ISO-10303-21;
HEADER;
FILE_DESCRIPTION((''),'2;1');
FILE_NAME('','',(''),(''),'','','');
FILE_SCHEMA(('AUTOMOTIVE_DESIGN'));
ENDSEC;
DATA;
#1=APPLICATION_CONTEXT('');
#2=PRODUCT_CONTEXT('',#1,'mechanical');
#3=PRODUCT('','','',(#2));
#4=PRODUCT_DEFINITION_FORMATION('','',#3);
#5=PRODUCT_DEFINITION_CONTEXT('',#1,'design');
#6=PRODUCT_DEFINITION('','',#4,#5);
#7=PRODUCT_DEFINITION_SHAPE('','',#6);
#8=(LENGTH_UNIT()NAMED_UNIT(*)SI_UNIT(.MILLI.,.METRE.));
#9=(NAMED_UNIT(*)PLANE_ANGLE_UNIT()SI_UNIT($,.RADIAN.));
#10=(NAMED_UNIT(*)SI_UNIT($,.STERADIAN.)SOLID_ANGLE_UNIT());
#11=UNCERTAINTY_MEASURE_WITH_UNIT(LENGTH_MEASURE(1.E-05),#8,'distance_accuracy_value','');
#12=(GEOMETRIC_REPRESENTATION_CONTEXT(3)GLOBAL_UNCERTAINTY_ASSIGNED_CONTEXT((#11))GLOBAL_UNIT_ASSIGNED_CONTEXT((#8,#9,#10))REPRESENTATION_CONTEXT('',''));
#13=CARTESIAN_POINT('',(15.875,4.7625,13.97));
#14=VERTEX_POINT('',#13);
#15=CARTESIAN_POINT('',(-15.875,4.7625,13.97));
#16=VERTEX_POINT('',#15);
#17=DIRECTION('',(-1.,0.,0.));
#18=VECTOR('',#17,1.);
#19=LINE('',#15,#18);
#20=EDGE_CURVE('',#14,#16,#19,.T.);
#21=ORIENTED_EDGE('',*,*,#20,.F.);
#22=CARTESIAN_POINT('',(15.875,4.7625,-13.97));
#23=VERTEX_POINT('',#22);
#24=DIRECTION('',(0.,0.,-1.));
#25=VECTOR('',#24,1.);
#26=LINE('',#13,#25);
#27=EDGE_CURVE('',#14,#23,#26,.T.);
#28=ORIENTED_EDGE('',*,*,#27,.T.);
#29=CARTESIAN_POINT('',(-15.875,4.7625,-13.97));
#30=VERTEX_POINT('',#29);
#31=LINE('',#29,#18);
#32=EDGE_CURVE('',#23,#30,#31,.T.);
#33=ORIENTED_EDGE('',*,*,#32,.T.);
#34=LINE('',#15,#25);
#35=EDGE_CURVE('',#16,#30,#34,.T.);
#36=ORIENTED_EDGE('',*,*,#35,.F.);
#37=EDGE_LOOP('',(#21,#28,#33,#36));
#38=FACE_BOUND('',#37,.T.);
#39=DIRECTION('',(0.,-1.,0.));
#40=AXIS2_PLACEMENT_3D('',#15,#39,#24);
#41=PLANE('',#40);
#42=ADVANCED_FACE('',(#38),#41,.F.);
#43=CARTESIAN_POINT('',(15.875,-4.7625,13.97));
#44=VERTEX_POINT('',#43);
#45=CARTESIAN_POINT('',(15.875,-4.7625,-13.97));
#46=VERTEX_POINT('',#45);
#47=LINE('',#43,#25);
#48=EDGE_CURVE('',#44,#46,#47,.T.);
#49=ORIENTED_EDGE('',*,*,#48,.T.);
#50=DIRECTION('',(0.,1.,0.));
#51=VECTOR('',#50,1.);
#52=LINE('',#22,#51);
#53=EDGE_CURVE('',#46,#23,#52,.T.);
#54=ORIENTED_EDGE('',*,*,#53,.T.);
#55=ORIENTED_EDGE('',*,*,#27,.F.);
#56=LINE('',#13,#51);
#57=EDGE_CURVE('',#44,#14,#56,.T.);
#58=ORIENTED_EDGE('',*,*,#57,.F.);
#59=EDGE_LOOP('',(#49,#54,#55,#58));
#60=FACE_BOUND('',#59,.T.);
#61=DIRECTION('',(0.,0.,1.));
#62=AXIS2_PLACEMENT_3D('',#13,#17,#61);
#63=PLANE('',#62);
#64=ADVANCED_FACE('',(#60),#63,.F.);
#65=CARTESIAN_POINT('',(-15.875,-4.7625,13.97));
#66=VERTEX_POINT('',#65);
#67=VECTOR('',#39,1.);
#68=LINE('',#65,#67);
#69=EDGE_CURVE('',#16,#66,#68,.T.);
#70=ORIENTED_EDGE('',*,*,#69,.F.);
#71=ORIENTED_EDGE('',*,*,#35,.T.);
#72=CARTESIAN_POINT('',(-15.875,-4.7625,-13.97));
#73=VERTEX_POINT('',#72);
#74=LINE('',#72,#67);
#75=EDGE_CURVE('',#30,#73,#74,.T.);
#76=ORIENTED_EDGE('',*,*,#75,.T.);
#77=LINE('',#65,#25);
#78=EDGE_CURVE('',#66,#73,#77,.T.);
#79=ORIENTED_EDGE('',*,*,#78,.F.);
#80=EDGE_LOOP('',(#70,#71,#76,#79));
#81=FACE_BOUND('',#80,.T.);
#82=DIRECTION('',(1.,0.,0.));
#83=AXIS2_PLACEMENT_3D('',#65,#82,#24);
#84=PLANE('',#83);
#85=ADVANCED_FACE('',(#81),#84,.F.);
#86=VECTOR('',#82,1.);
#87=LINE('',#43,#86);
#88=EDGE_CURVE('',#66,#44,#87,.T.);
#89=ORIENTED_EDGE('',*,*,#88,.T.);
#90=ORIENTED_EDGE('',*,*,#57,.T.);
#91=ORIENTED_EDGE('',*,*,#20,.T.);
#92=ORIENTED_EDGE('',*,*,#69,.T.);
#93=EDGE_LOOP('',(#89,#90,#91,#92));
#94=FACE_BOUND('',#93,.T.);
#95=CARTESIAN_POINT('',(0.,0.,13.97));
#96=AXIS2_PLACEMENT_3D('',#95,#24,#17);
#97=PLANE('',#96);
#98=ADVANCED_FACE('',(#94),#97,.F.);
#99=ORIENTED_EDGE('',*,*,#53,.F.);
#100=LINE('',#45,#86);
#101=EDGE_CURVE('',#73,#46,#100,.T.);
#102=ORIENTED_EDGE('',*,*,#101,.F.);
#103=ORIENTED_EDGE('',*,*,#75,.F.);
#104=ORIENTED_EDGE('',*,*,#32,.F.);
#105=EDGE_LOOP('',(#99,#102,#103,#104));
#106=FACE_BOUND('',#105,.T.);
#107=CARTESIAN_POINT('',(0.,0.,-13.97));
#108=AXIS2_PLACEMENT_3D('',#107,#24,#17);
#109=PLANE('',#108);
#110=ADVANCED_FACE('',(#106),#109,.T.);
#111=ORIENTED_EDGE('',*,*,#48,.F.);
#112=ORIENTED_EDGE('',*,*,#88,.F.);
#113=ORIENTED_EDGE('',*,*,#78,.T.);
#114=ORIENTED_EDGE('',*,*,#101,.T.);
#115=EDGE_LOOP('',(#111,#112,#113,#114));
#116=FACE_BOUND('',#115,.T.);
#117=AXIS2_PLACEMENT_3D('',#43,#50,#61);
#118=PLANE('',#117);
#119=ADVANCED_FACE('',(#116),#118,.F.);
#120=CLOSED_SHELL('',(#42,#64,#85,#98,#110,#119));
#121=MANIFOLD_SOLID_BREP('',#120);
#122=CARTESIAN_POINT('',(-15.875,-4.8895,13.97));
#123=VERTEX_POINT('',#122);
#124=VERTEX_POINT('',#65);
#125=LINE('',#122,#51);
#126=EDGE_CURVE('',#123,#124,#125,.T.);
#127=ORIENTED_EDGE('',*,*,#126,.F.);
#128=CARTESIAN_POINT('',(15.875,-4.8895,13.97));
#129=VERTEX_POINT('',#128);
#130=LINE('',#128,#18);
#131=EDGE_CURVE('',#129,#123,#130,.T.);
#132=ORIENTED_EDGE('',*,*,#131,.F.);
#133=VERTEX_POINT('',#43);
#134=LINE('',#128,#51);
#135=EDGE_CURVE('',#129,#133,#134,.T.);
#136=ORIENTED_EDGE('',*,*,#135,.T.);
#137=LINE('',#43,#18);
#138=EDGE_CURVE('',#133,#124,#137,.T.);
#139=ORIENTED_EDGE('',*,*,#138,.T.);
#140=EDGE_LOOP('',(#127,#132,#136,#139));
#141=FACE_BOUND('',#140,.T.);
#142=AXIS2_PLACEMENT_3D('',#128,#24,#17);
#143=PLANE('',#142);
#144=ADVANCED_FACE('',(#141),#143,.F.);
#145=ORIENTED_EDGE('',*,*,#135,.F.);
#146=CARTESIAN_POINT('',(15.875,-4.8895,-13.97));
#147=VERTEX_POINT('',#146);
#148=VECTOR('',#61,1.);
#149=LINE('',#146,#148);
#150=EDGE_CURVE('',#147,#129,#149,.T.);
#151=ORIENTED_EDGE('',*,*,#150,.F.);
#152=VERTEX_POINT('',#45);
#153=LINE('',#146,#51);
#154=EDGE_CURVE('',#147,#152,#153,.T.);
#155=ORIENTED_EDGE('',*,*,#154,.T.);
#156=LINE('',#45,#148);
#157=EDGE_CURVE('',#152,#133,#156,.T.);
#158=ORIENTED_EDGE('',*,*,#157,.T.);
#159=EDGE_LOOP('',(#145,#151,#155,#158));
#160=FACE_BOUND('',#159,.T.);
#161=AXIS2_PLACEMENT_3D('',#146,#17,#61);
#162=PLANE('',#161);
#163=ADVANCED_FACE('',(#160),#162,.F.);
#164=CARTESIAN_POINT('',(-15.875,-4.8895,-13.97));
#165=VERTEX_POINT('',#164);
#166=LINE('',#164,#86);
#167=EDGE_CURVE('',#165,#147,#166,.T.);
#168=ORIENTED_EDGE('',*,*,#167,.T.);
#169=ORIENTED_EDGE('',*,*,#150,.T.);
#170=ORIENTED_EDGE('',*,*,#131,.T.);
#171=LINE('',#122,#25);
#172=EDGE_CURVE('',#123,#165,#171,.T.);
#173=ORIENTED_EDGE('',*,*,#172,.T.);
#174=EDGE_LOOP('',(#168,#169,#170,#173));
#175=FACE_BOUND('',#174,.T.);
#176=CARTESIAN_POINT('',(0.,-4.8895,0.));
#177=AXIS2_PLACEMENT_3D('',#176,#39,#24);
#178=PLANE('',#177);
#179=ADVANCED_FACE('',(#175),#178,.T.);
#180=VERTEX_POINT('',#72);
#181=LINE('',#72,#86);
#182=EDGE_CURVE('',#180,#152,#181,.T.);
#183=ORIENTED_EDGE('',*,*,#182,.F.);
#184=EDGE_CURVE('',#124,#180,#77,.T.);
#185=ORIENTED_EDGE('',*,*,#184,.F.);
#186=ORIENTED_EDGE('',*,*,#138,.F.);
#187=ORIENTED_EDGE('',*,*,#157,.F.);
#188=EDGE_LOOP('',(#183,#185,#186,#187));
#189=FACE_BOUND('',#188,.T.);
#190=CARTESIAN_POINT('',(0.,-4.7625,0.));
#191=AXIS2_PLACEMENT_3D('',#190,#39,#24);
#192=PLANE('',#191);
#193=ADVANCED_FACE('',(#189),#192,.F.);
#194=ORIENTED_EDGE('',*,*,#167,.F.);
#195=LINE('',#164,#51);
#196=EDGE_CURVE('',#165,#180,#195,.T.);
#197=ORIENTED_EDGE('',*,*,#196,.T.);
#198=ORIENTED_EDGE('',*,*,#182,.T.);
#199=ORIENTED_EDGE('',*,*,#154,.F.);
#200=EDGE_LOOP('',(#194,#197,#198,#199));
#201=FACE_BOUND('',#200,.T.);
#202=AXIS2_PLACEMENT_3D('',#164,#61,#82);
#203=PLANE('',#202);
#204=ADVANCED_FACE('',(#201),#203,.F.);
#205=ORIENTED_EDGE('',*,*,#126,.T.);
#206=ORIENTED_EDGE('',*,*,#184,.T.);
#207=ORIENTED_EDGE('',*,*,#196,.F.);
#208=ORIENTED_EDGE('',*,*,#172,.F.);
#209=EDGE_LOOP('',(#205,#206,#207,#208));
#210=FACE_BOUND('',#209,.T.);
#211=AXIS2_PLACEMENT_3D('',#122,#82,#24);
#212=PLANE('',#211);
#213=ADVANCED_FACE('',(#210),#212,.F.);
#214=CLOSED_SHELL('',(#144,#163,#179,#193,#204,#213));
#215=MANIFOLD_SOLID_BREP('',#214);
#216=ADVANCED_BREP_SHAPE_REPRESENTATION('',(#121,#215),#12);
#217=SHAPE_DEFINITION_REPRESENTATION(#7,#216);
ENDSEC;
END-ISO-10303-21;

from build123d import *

# Parameters (mm, degrees)
SKETCH3_W           = 31.75
SKETCH3_H           = 9.525
BOSS_EXTRUDE1_DEPTH = 13.97
SKETCH4_W           = 31.75
SKETCH4_H           = 27.94
BOSS_EXTRUDE2_DEPTH = 0.127


with BuildPart() as part:
    # Sketch3 → Boss-Extrude1 (new, symmetric)
    with BuildSketch(Plane.XY):
        Rectangle(SKETCH3_W, SKETCH3_H)
    extrude(amount=BOSS_EXTRUDE1_DEPTH, both=True)


with BuildPart() as body_2:
    # Sketch4 → Boss-Extrude2 (new body)
    with BuildSketch(Plane.XZ.offset(4.7625)):
        Rectangle(SKETCH4_W, SKETCH4_H)
    extrude(amount=BOSS_EXTRUDE2_DEPTH)


solid = Compound([part.part, body_2.part])
